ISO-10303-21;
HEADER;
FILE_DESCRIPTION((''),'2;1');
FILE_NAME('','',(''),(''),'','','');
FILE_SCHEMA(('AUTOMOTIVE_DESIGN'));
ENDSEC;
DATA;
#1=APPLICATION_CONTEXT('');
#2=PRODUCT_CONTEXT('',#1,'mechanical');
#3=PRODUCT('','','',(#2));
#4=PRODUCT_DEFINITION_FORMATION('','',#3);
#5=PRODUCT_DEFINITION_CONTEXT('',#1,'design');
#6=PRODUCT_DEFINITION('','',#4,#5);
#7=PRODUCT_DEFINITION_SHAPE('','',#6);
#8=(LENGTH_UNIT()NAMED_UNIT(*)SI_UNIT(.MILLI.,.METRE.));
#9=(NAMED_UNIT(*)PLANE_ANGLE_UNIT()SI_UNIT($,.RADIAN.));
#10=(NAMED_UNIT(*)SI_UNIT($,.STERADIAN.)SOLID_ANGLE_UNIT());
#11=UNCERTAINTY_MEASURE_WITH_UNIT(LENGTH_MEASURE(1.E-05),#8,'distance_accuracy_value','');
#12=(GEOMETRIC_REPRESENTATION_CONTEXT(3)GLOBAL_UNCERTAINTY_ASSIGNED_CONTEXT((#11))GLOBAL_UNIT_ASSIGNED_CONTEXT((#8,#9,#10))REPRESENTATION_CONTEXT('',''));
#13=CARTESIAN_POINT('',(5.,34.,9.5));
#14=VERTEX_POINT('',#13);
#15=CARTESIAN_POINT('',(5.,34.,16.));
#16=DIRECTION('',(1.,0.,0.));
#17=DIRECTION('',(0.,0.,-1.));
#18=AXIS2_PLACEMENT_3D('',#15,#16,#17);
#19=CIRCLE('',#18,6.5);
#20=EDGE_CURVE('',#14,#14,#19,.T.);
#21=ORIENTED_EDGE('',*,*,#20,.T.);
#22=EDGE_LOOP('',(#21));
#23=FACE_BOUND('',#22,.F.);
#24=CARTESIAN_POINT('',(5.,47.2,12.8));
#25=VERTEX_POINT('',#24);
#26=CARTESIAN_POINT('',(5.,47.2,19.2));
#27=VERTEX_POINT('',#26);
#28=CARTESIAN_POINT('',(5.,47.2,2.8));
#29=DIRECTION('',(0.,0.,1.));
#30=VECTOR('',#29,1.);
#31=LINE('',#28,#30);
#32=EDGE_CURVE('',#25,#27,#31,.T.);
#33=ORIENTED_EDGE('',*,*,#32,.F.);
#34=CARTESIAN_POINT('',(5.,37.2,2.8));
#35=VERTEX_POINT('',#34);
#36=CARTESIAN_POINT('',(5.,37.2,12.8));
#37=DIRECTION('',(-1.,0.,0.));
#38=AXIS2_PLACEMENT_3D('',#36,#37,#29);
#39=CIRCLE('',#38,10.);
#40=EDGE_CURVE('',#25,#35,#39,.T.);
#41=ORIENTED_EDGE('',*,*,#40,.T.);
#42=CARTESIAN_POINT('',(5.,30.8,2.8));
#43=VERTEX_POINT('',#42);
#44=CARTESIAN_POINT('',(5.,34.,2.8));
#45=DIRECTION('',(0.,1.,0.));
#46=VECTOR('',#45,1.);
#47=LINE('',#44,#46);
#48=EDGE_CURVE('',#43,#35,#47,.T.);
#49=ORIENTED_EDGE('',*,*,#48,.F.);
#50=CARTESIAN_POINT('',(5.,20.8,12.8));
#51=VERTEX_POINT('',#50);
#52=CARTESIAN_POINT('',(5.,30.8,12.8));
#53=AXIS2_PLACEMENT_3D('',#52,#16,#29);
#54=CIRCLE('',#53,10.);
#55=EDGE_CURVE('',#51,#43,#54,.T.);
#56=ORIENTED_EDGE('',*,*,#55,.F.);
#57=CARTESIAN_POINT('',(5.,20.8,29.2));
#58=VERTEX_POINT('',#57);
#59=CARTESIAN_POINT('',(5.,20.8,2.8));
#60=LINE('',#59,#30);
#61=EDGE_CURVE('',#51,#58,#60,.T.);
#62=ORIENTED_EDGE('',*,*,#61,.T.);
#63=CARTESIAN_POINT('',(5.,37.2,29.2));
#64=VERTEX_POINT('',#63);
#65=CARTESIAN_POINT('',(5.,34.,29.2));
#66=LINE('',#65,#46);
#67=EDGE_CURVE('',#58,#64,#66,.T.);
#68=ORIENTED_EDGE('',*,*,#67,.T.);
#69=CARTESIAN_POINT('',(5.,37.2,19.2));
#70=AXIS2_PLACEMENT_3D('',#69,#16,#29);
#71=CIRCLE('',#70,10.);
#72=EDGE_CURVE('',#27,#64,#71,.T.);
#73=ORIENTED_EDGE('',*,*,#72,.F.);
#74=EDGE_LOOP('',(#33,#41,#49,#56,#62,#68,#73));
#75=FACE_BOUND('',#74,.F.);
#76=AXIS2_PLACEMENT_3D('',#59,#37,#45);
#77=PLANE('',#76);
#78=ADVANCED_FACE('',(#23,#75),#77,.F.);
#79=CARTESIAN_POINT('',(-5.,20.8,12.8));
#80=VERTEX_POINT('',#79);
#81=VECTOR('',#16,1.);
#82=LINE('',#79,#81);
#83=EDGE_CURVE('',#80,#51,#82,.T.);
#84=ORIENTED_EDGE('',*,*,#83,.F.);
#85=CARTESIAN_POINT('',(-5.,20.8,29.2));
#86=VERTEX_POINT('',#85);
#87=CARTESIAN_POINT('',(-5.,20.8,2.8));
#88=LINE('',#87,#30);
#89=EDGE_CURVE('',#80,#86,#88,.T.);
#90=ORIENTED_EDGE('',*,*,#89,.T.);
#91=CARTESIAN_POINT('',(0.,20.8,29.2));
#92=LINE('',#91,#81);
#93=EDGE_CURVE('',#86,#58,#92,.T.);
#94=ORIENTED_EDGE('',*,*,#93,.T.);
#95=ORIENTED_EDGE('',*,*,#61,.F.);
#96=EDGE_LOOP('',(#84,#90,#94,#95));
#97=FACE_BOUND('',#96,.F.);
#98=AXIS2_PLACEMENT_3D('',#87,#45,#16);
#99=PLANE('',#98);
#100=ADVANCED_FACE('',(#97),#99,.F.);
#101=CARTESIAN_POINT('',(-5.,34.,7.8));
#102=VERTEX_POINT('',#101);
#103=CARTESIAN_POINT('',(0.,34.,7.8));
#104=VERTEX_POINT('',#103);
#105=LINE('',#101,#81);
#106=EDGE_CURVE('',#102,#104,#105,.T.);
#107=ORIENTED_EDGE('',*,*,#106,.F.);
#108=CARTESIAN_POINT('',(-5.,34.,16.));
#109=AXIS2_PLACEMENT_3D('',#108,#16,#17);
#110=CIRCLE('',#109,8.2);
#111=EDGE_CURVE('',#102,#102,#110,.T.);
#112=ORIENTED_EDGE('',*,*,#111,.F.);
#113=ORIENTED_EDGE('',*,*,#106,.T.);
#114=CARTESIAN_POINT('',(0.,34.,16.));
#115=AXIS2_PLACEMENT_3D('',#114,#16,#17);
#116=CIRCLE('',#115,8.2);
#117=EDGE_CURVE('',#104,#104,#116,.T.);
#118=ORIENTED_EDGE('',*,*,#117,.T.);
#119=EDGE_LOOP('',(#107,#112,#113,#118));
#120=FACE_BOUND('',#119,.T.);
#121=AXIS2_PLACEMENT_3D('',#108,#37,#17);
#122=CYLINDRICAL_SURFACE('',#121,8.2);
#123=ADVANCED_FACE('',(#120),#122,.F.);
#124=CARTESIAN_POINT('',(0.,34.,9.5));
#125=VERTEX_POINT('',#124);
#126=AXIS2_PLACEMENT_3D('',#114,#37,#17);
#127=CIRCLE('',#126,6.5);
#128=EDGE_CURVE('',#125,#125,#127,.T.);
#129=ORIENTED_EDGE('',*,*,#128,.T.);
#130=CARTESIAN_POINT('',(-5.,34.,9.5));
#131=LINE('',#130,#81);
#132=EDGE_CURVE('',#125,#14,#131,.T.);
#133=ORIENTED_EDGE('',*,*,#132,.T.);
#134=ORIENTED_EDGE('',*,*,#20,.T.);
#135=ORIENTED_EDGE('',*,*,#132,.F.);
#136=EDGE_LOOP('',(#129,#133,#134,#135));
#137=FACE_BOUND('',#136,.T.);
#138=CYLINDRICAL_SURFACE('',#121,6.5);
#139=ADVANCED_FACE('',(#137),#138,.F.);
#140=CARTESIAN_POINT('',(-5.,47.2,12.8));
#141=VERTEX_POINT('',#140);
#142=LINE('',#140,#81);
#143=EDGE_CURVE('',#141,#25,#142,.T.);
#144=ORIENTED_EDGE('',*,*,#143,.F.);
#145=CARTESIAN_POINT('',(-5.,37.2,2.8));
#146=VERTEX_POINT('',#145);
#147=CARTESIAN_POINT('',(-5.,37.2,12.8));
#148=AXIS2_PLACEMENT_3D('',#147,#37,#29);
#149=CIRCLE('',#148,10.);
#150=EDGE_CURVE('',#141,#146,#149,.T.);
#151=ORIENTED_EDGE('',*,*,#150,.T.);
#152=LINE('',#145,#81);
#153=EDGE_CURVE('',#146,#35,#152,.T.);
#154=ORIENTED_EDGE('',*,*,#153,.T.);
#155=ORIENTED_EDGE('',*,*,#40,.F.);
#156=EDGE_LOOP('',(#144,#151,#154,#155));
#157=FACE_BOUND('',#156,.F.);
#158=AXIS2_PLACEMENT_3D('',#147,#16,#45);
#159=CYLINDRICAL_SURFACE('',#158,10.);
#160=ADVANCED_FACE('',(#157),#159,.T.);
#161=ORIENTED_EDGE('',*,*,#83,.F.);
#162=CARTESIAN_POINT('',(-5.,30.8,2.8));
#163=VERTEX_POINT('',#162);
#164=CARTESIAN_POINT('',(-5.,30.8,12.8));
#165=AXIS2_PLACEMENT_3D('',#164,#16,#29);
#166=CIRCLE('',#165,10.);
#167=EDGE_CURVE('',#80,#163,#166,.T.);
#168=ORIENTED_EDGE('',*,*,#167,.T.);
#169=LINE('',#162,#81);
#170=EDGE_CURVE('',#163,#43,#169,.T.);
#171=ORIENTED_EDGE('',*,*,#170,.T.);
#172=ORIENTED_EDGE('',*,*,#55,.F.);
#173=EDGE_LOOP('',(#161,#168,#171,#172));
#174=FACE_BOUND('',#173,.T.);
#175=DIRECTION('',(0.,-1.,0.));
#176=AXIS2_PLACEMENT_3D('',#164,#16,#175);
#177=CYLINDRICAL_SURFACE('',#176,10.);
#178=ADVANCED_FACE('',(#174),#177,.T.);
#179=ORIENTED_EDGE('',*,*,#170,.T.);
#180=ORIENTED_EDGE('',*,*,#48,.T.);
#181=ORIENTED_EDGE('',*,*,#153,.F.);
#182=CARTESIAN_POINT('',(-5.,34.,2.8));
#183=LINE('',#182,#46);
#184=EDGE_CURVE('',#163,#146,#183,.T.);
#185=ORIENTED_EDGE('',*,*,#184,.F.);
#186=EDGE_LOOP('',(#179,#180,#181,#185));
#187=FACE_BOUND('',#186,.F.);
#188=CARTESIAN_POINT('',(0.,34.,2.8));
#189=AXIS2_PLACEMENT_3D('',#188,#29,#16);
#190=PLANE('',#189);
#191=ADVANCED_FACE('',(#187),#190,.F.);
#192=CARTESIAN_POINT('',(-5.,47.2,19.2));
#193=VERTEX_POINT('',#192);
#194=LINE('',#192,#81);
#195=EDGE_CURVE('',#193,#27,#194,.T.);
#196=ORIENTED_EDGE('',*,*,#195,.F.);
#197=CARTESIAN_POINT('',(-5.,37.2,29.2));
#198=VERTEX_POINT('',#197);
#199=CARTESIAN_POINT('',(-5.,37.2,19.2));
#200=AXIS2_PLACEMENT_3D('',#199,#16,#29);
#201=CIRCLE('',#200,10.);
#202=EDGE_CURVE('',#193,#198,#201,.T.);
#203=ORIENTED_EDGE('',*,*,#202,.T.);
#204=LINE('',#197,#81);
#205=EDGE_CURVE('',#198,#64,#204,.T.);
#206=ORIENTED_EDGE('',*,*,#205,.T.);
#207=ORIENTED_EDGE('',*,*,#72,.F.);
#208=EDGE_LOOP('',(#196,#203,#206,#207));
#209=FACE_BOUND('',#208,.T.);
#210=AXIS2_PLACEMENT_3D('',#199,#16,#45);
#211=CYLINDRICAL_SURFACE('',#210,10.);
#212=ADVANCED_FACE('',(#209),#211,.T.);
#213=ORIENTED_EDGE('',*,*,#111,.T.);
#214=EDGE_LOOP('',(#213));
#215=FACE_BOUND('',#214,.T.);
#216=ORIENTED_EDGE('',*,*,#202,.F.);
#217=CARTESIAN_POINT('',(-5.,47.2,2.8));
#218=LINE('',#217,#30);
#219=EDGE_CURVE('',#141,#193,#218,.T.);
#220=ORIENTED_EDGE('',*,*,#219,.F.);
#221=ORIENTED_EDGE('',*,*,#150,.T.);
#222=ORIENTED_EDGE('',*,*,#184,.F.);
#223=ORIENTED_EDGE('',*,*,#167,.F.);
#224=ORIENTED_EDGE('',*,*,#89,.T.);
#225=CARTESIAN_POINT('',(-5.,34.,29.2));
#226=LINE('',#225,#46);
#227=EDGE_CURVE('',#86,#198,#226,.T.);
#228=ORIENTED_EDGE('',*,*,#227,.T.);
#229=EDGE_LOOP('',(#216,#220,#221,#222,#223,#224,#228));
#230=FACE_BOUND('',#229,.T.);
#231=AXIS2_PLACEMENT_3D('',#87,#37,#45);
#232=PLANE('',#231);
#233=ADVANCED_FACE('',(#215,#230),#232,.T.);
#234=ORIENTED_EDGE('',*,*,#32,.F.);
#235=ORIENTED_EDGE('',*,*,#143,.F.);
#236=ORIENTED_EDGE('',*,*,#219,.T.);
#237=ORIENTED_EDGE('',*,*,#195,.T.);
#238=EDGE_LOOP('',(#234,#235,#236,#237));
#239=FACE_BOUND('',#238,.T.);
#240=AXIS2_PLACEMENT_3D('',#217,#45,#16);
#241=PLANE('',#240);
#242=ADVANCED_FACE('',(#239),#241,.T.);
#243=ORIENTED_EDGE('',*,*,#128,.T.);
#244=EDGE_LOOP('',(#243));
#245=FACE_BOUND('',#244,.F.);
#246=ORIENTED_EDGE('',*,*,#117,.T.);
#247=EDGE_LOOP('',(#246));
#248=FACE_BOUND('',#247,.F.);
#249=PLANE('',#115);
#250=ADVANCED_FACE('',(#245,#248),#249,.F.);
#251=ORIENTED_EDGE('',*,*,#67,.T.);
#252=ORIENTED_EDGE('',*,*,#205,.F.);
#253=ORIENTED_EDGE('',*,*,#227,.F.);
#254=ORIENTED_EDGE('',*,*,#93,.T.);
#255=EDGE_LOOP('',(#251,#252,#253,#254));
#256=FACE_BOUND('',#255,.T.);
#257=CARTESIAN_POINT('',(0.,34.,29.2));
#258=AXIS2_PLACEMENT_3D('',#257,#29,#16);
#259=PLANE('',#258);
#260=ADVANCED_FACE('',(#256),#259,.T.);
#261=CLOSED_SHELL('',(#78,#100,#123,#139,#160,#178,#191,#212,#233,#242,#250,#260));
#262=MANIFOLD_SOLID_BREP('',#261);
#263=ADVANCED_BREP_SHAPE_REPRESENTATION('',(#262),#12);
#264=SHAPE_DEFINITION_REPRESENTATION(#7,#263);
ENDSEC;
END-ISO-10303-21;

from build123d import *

# Parameters (mm, degrees)
CYLINDER005_R     = 6.5
CYLINDER005_DEPTH = 10
CYLINDER004_R     = 8.2
CYLINDER004_DEPTH = 5
BOX_W             = 10
BOX_H             = 26.4
BOX_DEPTH         = 26.4
FILLET_R          = 10


with BuildPart() as bring_holder_hole:
    # Cylinder005 → Cylinder005 (new body)
    with BuildSketch(Plane(origin=(0, 0, 0), x_dir=(0, 0, -1), z_dir=(1, 0, 0))):
        Circle(CYLINDER005_R)
    extrude(amount=CYLINDER005_DEPTH)


with BuildPart() as bring_holder_extract:
    # Cylinder004 → Cylinder004 (new body)
    with BuildSketch(Plane(origin=(0, 0, 0), x_dir=(0, 0, -1), z_dir=(1, 0, 0))):
        Circle(CYLINDER004_R)
    extrude(amount=CYLINDER004_DEPTH)

    # Fusion001: union bring holder hole
    add(bring_holder_hole.part)


with BuildPart() as bring_holder_cut_clone:
    # Box → Box (new body)
    with BuildSketch(Plane(origin=(0, -13.2, -13.2), x_dir=(1, 0, 0), z_dir=(0, 0, 1))):
        with Locations((5, 13.2)):
            Rectangle(BOX_W, BOX_H)
    extrude(amount=BOX_DEPTH)

    # Fillet
    fillet_edges = [bring_holder_cut_clone.edges().sort_by_distance(p)[0] for p in [
        (5, -13.2, -13.2),
        (5, 13.2, -13.2),
        (5, 13.2, 13.2),
    ]]
    fillet(fillet_edges, radius=FILLET_R)

    # Cut023015003: cut bring holder extract
    add(bring_holder_extract.part, mode=Mode.SUBTRACT)


with BuildPart() as bring_holder_cut_clone_1:
    # Cut023015003 placement: moved
    add(bring_holder_cut_clone.part.moved(Location((-5, 26, 7))))


with BuildPart() as bring_holder_cut_clone_2:
    # Body003 placement: moved
    add(bring_holder_cut_clone_1.part.moved(Location((0, 8, 9))))


solid = bring_holder_cut_clone_2.part
